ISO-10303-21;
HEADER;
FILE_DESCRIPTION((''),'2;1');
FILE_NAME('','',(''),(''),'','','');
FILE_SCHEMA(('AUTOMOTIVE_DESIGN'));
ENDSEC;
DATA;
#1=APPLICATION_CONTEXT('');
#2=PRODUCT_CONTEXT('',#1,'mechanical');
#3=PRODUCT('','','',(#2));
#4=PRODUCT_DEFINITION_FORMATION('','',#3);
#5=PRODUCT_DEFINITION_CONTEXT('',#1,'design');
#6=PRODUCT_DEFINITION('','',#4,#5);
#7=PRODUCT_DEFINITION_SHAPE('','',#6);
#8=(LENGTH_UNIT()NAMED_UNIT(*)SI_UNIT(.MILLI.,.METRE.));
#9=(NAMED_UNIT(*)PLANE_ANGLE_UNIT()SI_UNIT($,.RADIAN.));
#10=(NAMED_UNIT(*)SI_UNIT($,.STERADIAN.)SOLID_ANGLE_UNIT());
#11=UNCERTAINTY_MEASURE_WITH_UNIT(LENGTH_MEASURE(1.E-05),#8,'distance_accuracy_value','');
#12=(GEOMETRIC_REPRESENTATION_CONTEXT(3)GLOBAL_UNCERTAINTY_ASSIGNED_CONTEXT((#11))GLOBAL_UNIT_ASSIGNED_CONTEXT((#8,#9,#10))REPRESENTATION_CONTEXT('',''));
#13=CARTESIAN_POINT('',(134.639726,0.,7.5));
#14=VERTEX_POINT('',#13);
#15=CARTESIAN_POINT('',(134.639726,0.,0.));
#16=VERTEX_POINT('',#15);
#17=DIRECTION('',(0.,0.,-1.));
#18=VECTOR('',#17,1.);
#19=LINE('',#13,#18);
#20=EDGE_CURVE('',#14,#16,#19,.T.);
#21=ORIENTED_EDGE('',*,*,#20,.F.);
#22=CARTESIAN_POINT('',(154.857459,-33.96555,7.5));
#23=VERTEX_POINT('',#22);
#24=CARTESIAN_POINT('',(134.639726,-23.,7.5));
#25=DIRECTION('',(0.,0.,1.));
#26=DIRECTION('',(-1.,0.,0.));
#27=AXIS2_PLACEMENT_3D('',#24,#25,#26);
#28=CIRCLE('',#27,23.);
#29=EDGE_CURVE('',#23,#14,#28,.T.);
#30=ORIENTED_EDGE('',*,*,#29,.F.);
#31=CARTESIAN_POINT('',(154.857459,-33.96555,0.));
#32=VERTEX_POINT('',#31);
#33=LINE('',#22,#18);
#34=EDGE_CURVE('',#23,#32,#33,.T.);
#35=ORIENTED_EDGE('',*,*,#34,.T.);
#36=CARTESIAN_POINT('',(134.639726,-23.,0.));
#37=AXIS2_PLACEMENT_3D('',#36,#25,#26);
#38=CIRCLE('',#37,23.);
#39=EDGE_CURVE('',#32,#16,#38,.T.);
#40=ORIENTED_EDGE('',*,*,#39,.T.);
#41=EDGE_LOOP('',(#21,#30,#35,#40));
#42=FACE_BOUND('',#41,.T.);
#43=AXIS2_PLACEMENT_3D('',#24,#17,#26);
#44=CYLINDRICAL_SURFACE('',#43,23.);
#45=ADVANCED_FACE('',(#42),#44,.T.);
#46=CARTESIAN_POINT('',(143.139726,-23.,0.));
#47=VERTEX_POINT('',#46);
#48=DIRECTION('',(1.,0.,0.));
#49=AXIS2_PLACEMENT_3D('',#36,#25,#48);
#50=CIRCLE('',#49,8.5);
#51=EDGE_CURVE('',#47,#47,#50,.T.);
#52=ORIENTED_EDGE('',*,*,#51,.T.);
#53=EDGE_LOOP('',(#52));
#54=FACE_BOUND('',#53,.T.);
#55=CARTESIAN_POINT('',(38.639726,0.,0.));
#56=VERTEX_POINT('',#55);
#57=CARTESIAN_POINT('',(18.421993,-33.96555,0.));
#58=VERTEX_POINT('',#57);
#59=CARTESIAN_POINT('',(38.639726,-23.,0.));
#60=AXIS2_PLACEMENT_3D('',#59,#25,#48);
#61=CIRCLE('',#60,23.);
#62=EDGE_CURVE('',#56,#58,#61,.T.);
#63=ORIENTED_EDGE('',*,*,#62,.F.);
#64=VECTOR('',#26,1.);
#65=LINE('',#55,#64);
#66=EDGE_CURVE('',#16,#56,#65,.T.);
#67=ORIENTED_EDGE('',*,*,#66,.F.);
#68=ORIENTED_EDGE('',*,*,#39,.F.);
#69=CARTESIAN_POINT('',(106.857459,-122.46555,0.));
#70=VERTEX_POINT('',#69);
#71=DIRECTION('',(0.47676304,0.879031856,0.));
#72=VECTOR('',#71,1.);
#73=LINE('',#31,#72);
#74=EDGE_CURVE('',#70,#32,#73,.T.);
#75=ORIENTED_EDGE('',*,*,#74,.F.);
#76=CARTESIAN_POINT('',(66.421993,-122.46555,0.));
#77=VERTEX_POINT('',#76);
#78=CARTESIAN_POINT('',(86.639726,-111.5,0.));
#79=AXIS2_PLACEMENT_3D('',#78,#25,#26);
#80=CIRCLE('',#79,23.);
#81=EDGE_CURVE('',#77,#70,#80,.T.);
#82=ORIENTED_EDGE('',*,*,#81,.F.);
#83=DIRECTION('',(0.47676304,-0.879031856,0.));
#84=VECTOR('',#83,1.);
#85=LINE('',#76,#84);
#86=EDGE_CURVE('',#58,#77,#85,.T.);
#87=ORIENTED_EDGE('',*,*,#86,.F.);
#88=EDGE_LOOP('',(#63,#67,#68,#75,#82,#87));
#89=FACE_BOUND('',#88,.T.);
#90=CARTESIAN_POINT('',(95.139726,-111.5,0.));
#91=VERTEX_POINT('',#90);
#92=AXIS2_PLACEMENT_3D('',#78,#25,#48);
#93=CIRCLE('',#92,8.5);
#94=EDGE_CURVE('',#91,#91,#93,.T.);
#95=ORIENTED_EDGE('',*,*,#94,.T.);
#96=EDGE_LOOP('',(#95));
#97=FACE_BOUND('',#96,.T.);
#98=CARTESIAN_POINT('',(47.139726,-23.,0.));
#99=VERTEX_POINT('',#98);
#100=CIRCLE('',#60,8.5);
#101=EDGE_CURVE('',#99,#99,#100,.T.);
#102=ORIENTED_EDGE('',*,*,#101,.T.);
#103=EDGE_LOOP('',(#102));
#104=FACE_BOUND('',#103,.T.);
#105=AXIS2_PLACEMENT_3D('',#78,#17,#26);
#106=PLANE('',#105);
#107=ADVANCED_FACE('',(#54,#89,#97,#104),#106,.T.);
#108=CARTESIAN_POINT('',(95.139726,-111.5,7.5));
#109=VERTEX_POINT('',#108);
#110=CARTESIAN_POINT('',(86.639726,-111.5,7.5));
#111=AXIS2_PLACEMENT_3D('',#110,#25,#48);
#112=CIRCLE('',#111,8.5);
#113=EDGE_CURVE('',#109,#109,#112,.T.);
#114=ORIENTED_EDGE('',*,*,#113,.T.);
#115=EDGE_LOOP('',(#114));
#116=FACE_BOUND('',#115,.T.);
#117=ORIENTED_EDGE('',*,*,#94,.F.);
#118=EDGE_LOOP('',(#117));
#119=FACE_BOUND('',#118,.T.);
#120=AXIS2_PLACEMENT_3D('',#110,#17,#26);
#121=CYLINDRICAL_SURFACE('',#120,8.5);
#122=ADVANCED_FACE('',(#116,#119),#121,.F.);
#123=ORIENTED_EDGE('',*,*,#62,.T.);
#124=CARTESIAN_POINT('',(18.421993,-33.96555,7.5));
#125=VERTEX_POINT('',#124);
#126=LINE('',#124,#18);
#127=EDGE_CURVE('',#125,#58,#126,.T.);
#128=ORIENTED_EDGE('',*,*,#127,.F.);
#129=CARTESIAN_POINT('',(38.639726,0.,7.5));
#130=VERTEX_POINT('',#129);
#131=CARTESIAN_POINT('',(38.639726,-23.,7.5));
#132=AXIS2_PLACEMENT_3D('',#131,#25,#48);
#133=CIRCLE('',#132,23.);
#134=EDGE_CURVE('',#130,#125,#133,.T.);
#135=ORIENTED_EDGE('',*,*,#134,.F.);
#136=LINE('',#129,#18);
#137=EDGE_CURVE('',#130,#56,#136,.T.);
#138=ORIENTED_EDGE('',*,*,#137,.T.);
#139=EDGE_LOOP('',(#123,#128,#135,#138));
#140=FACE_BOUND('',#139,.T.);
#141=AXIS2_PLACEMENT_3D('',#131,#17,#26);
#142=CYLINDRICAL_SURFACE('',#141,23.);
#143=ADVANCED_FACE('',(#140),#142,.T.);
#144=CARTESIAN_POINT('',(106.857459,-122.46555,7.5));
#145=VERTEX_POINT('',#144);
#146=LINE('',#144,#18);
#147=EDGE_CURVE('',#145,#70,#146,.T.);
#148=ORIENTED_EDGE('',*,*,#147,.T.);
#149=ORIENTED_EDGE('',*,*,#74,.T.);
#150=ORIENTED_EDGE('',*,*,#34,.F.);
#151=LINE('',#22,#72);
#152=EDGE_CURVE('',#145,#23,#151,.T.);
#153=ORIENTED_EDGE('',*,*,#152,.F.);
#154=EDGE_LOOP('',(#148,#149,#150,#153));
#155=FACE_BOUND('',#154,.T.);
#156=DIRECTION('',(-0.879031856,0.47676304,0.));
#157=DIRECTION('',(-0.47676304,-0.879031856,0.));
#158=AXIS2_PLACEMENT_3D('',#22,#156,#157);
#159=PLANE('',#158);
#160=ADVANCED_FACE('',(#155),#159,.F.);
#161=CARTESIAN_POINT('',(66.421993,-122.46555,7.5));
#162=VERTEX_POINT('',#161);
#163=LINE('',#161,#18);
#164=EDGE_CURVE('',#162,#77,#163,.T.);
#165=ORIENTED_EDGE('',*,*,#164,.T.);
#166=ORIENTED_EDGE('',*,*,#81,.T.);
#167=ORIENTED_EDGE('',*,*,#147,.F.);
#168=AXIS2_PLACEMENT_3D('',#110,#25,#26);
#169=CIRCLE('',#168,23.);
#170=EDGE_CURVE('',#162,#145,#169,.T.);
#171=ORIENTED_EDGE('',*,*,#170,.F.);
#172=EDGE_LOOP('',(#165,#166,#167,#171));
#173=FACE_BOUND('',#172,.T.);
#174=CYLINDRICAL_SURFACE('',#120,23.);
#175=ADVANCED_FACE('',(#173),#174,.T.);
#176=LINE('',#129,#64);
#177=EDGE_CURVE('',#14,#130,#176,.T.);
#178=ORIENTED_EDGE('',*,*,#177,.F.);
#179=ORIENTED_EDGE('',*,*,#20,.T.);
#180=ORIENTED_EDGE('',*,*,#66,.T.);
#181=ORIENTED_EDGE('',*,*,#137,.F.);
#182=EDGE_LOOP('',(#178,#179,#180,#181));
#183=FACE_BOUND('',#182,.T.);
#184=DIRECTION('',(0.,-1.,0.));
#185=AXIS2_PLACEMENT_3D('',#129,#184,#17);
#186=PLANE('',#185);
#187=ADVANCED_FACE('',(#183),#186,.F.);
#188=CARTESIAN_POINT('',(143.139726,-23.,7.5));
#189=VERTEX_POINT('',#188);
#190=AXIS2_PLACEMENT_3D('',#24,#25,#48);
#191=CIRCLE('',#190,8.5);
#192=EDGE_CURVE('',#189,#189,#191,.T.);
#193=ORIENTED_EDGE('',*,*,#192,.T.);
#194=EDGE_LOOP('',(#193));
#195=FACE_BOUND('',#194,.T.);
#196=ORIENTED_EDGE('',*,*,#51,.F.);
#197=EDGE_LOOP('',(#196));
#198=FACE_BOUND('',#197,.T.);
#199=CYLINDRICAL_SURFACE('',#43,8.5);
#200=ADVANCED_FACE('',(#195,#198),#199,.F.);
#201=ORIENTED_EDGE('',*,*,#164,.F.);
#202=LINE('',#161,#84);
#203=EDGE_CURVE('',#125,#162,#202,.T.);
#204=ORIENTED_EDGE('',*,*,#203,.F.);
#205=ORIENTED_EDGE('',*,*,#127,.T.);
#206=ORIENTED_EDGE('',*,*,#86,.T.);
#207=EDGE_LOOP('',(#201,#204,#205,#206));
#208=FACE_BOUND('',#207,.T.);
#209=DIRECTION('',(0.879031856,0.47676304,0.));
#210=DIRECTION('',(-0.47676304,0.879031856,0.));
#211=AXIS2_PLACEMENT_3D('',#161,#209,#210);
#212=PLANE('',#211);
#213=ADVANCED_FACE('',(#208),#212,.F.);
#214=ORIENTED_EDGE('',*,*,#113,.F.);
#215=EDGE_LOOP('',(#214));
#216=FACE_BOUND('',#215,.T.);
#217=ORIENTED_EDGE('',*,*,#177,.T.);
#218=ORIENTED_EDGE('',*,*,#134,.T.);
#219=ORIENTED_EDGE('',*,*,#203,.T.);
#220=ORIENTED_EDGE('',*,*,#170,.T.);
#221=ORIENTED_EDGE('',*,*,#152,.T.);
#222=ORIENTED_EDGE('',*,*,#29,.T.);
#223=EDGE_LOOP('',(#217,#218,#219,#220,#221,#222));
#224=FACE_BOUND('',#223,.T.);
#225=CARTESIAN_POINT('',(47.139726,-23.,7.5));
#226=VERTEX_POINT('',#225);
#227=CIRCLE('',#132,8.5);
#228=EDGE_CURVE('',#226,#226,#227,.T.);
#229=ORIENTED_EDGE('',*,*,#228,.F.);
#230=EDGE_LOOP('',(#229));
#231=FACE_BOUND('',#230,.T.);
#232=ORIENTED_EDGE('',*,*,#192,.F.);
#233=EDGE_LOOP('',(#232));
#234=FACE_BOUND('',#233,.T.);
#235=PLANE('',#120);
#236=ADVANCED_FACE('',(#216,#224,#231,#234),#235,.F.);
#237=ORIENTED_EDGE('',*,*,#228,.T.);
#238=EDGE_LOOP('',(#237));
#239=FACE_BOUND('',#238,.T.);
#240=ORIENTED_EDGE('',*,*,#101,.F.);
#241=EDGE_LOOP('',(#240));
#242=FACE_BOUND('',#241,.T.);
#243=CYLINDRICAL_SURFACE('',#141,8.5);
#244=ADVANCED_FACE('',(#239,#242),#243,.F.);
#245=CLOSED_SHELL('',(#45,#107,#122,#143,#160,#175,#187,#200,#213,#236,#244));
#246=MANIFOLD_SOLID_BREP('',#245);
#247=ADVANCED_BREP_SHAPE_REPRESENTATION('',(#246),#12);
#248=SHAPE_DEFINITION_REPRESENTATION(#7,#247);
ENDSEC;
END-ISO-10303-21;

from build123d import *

# Parameters (mm, degrees)
IZIM2_R                     = 8.5
Y_KSEKLIK_EKSTR_ZYON1_DEPTH = 7.5


with BuildPart() as part:
    # Çizim2 → Yükseklik-Ekstrüzyon1 (new body)
    with BuildSketch(Plane.XY):
        with BuildLine():
            Line((38.639725863, 0), (134.639725863, 0))
            ThreePointArc((134.639725863, 0), (154.403425521, -11.235809598), (154.857458544, -33.965549929))
            Line((154.857458544, -33.965549929), (106.857458544, -122.465549929))
            ThreePointArc((106.857458544, -122.465549929), (86.639725863, -134.5), (66.421993182, -122.465549929))
            Line((66.421993182, -122.465549929), (18.421993182, -33.965549929))
            ThreePointArc((18.421993182, -33.965549929), (18.876026204, -11.235809598), (38.639725863, 0))
        make_face()
        with Locations((86.639725863, -111.5)):
            Circle(IZIM2_R, mode=Mode.SUBTRACT)
        with Locations((38.639725863, -23)):
            Circle(IZIM2_R, mode=Mode.SUBTRACT)
        with Locations((134.639725863, -23)):
            Circle(IZIM2_R, mode=Mode.SUBTRACT)
    extrude(amount=Y_KSEKLIK_EKSTR_ZYON1_DEPTH)


solid = part.part
